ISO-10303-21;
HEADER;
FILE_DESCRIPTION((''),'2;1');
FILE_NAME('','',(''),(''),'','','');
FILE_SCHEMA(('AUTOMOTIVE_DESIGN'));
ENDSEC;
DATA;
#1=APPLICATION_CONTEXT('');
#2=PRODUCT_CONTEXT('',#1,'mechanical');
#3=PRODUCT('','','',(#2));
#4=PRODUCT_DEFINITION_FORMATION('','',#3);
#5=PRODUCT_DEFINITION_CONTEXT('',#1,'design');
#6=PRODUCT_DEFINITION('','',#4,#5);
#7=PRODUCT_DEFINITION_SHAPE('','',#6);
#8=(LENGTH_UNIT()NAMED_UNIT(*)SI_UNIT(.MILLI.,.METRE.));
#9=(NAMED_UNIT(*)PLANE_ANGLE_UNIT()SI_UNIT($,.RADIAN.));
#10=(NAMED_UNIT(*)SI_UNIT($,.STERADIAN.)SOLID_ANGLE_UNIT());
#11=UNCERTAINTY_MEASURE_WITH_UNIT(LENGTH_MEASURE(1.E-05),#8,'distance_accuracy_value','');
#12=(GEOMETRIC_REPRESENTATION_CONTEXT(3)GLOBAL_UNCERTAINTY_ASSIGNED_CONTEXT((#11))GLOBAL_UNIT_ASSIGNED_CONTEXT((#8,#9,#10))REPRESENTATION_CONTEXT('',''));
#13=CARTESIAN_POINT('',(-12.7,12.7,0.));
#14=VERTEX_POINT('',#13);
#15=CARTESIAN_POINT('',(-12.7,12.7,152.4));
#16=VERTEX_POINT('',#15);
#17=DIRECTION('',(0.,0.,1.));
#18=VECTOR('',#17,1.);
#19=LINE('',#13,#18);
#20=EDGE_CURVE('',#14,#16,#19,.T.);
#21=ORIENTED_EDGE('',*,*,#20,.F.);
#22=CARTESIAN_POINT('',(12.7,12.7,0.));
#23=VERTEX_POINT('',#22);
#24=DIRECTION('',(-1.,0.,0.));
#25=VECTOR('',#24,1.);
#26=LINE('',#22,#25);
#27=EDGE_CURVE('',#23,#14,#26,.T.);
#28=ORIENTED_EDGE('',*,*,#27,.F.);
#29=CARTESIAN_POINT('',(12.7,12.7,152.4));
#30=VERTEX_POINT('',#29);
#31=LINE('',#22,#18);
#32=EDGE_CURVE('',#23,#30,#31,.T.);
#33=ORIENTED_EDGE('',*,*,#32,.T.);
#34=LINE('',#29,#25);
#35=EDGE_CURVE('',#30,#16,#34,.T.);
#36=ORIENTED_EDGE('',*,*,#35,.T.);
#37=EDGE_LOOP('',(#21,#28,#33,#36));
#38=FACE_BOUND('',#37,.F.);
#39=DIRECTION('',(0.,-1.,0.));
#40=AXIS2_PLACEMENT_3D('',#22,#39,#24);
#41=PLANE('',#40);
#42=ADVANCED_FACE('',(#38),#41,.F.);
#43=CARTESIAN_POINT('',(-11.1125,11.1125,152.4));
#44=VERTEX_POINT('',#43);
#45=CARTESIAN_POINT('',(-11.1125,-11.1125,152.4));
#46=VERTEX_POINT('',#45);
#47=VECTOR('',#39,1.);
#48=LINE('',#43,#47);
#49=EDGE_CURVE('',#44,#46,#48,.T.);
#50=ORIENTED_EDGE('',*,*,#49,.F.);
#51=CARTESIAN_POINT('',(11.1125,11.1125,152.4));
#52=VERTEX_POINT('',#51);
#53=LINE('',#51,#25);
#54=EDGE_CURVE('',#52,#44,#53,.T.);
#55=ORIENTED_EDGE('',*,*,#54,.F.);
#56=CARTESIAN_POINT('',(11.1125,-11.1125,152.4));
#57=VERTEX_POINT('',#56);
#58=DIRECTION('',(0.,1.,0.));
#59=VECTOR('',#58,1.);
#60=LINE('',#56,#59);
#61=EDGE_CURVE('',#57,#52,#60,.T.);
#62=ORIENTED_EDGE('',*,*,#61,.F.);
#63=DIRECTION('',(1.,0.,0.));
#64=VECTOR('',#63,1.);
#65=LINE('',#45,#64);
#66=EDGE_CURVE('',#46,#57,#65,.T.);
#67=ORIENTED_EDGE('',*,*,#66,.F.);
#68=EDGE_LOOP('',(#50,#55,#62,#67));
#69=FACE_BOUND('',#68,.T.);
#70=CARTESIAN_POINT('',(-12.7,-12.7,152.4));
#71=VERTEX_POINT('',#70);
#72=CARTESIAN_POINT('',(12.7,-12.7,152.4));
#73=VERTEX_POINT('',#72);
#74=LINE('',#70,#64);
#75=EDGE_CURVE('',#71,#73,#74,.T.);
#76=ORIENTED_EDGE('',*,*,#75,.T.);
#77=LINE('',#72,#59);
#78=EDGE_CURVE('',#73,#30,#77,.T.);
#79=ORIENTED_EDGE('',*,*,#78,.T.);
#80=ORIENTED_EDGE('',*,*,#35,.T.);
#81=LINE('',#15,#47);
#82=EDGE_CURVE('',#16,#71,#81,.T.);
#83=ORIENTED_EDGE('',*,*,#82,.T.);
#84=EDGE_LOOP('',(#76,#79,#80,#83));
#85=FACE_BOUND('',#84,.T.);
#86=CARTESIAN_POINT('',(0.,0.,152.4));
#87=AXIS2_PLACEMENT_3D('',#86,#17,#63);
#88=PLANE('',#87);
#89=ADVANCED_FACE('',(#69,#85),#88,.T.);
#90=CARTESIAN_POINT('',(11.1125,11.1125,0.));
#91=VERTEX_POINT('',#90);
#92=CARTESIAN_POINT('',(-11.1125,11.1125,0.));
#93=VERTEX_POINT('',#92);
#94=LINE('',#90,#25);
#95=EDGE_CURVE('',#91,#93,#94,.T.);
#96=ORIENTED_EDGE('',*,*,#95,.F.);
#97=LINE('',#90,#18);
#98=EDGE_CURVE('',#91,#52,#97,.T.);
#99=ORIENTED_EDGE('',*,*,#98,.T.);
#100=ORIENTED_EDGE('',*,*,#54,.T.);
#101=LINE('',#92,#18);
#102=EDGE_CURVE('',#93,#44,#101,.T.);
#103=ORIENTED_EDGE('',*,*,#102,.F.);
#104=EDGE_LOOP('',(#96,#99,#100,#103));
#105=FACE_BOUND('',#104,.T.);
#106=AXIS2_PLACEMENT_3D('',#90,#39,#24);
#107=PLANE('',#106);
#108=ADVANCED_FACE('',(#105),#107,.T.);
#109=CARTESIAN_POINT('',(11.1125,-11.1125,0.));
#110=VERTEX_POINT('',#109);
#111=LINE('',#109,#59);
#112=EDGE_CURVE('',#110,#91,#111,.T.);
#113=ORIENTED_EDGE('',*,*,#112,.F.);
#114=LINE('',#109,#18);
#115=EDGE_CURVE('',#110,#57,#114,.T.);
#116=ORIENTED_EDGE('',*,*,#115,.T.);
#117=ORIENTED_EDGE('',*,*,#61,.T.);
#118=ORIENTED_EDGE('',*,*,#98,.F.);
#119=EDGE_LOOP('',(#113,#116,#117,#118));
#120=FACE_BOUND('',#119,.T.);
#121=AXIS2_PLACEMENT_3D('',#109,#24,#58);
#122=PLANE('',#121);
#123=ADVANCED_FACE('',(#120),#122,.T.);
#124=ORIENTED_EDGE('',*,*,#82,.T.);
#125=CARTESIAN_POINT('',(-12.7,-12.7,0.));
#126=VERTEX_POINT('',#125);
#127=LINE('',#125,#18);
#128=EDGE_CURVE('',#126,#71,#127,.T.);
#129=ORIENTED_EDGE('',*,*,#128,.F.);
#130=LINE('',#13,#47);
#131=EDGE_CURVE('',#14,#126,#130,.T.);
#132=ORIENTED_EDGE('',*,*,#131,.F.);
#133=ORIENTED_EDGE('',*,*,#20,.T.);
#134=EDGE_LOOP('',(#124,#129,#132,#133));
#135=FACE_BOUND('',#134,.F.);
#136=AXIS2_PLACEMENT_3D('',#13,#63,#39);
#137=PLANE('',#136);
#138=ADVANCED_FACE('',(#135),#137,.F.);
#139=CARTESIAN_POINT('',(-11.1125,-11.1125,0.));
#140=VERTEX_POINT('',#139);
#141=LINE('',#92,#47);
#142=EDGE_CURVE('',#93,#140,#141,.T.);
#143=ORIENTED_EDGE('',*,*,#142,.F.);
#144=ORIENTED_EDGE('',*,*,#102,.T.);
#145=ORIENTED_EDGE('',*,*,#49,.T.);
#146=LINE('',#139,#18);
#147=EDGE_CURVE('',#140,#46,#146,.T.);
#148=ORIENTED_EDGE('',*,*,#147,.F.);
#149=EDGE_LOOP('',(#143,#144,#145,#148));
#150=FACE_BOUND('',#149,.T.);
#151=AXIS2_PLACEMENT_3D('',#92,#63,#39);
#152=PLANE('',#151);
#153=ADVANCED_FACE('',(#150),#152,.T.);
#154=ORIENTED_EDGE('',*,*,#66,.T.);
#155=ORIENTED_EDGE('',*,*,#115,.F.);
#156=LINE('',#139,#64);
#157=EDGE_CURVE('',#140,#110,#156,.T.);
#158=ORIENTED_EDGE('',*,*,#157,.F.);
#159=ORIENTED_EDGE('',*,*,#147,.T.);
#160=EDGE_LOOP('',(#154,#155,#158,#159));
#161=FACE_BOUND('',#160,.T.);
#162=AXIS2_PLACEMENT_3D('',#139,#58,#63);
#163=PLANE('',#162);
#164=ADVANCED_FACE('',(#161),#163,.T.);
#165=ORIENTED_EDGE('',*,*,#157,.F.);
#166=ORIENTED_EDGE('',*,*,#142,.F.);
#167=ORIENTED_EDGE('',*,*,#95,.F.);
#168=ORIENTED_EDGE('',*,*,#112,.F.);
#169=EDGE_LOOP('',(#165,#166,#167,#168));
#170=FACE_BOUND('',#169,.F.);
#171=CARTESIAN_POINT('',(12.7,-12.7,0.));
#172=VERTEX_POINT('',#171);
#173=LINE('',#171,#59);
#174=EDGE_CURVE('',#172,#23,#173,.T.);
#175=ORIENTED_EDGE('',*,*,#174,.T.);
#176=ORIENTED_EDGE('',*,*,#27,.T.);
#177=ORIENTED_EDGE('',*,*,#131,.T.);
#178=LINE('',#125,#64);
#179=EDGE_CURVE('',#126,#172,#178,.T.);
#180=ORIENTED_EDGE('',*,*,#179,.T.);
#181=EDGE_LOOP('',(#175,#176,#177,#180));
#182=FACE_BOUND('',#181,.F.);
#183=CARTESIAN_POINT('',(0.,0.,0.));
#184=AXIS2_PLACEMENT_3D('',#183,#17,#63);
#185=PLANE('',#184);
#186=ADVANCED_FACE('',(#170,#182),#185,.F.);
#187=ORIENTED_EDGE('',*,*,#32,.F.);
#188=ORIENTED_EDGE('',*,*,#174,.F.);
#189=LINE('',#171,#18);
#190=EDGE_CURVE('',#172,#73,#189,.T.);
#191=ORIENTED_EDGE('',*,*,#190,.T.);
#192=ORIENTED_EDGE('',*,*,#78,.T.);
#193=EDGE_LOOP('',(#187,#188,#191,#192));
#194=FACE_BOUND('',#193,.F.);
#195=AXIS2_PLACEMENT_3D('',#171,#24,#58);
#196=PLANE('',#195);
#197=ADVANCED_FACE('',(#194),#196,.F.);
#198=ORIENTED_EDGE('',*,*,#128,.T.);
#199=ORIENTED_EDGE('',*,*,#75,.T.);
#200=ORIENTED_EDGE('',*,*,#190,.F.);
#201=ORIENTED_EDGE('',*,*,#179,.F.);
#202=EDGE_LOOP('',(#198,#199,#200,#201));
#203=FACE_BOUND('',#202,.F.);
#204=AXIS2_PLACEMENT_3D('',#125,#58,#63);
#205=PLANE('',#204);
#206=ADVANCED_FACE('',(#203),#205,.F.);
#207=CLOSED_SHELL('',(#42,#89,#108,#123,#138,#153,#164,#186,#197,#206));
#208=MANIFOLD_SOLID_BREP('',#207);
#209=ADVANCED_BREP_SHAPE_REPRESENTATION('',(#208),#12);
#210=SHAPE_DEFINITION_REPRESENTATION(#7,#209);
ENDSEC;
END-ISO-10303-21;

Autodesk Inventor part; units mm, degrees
ref_plane "YZ Plane" through (0, 0, 0) normal (1, 0, 0) x (0, 1, 0)
ref_plane "XZ Plane" through (0, 0, 0) normal (0, 1, 0) x (-1, 0, 0)
ref_plane "XY Plane" through (0, 0, 0) normal (0, 0, 1) x (1, 0, 0)
sketch "Sketch1" plane through (0, 0, 0) normal (0, 0, 1) x (1, 0, 0)
  line L0 (-12.7, -12.7) -> (12.7, -12.7)
  line L1 (12.7, -12.7) -> (12.7, 12.7)
  line L2 (12.7, 12.7) -> (-12.7, 12.7)
  line L3 (-12.7, 12.7) -> (-12.7, -12.7)
  line L4 (-11.1125, -11.1125) -> (11.1125, -11.1125)
  line L5 (11.1125, -11.1125) -> (11.1125, 11.1125)
  line L6 (11.1125, 11.1125) -> (-11.1125, 11.1125)
  line L7 (-11.1125, 11.1125) -> (-11.1125, -11.1125)
  point P0 (0, 0)
  dimension "d0" = 25.4
  dimension "d1" = 25.4
  dimension "d2" = 22.225
  dimension "d3" = 22.225
extrude "Extrusion1" add sketch "Sketch1" along normal blind 152.4
equation "\"BendRadius\" = Thickness"
equation "\"BendReliefWidth\" = Thickness"
equation "\"BendReliefDepth\" = 0.5 * Thickness"
equation "\"CornerReliefSize\" = 4 * Thickness"
equation "\"MinimumRemnant\" = 2 * Thickness"
equation "\"TransitionRadius\" = BendRadius"
equation "\"JacobiRadiusSize\" = BendRadius"
equation "\"GapSize\" = Thickness"
equation "\"Thickness\" = 3.048"
properties part number "6 in 1-16"
